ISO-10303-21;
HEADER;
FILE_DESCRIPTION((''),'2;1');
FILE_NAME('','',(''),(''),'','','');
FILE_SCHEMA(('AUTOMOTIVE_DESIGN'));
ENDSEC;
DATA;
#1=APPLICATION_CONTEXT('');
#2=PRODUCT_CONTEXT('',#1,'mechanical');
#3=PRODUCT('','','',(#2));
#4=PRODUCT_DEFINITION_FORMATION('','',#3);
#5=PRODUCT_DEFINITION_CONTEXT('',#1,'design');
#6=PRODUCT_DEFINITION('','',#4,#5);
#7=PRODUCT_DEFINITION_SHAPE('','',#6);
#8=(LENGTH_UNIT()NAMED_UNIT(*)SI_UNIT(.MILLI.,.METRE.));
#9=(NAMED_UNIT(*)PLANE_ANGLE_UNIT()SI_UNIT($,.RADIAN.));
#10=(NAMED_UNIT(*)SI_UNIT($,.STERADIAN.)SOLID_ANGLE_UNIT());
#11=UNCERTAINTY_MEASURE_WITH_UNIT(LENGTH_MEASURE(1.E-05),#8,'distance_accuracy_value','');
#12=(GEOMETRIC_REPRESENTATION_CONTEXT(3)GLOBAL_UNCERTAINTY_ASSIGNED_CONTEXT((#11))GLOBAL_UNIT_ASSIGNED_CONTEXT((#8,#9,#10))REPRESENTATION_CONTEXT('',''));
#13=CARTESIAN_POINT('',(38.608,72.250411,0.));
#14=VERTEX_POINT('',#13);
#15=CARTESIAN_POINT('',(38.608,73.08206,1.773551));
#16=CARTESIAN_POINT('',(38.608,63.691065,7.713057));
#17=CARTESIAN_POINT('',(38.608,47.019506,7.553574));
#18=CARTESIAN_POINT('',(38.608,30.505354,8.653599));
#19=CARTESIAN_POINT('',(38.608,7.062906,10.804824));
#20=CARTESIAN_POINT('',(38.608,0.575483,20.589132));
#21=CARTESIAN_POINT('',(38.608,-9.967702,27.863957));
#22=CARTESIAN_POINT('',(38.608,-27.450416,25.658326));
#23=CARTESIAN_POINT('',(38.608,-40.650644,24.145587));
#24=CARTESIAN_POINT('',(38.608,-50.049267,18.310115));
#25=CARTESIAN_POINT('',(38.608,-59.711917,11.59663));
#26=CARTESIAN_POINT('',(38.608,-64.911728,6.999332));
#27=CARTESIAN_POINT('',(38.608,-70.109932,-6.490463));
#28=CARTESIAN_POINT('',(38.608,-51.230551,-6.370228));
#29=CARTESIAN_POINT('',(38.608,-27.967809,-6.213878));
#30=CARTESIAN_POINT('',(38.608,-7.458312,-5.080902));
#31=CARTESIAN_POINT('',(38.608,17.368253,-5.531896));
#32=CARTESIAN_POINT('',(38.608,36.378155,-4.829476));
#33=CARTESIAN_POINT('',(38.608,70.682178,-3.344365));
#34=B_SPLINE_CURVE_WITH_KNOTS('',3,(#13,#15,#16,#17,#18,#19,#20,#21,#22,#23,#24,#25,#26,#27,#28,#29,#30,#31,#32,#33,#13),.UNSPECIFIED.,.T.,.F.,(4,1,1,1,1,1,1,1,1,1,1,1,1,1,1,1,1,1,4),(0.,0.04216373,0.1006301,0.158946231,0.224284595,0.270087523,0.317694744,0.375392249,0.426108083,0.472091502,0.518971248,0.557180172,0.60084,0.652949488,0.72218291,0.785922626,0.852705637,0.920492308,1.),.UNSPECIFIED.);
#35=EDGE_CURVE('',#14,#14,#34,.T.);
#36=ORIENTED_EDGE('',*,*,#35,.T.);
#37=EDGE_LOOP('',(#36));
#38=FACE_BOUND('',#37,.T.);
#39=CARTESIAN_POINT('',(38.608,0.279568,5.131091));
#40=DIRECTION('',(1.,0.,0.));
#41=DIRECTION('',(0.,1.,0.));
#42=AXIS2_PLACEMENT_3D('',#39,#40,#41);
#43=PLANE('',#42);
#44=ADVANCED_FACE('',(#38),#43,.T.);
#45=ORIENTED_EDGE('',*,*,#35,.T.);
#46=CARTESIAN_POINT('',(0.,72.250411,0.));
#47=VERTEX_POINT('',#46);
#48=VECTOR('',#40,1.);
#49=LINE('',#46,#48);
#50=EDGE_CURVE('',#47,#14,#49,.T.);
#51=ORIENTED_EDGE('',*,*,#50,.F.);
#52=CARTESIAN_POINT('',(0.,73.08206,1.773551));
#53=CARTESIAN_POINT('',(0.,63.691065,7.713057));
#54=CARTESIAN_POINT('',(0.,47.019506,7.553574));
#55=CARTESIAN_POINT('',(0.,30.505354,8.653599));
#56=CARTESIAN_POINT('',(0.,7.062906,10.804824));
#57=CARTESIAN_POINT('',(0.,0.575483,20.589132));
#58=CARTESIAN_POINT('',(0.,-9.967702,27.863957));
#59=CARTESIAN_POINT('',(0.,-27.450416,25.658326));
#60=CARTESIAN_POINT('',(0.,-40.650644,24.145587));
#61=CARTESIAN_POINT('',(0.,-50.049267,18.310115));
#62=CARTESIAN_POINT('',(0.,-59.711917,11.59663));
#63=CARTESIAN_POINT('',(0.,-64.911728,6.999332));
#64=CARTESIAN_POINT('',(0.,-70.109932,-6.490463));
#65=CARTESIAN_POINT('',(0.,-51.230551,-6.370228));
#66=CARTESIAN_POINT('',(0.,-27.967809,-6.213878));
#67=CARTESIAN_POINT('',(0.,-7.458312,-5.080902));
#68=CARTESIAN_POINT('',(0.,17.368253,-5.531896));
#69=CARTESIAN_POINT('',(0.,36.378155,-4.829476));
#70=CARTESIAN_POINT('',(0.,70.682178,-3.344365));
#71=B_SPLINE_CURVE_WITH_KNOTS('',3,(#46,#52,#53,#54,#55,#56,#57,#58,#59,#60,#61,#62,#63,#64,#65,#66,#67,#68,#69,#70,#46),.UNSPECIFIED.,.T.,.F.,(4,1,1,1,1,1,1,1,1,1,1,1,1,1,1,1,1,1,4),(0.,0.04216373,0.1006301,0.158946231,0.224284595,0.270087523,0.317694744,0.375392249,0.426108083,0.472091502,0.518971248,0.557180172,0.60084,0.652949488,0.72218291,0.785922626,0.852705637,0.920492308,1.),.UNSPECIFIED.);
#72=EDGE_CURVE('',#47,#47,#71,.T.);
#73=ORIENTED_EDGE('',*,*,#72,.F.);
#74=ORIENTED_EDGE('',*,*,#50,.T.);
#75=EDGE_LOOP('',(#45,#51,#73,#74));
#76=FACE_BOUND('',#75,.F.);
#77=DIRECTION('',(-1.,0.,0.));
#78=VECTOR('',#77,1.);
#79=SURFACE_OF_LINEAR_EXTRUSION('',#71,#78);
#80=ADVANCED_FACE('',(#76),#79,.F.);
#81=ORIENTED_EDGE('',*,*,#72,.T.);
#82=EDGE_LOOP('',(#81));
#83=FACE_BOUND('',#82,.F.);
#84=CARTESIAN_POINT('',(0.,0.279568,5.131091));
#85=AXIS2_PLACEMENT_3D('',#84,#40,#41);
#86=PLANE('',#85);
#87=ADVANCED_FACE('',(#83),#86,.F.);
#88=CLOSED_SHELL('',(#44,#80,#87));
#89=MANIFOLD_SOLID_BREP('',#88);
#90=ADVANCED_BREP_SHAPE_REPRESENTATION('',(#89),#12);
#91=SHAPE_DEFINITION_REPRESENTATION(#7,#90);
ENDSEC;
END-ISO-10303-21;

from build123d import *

# Parameters (mm, degrees)
F1_DEPTH = 38.608


with BuildPart() as f1:
    # F0 (on Right) → F1 (new body)
    with BuildSketch(Plane.YZ):
        with BuildLine():
            add(Edge.make_bspline(
                [(72.2504109144, 0), (73.0820604952, 1.7735505612), (63.6910646364, 7.7130574409), (47.0195057844, 7.5535740709), (30.5053535599, 8.6535994918), (7.062905859, 10.8048242179), (0.5754827313, 20.5891318134), (-9.9677024587, 27.8639573201), (-27.4504162362, 25.6583261379), (-40.6506441322, 24.1455867738), (-50.0492671681, 18.3101152546), (-59.7119168818, 11.5966303131), (-64.911727838, 6.9993322776), (-70.1099322768, -6.4904631688), (-51.2305514783, -6.3702275626), (-27.9678089676, -6.2138775118), (-7.4583115481, -5.0809019668), (17.3682530467, -5.5318962304), (36.3781546111, -4.8294761606), (70.6821782423, -3.3443652231), (72.2504109144, 0)],
                knots=[0, 0, 0, 0, 0.0421637298, 0.1006300999, 0.1589462308, 0.2242845954, 0.2700875228, 0.3176947442, 0.3753922493, 0.4261080831, 0.4720915017, 0.5189712478, 0.557180172, 0.6008399999, 0.652949488, 0.7221829104, 0.7859226261, 0.852705637, 0.920492308, 1, 1, 1, 1], degree=3))
        make_face()
    extrude(amount=F1_DEPTH)


solid = f1.part
